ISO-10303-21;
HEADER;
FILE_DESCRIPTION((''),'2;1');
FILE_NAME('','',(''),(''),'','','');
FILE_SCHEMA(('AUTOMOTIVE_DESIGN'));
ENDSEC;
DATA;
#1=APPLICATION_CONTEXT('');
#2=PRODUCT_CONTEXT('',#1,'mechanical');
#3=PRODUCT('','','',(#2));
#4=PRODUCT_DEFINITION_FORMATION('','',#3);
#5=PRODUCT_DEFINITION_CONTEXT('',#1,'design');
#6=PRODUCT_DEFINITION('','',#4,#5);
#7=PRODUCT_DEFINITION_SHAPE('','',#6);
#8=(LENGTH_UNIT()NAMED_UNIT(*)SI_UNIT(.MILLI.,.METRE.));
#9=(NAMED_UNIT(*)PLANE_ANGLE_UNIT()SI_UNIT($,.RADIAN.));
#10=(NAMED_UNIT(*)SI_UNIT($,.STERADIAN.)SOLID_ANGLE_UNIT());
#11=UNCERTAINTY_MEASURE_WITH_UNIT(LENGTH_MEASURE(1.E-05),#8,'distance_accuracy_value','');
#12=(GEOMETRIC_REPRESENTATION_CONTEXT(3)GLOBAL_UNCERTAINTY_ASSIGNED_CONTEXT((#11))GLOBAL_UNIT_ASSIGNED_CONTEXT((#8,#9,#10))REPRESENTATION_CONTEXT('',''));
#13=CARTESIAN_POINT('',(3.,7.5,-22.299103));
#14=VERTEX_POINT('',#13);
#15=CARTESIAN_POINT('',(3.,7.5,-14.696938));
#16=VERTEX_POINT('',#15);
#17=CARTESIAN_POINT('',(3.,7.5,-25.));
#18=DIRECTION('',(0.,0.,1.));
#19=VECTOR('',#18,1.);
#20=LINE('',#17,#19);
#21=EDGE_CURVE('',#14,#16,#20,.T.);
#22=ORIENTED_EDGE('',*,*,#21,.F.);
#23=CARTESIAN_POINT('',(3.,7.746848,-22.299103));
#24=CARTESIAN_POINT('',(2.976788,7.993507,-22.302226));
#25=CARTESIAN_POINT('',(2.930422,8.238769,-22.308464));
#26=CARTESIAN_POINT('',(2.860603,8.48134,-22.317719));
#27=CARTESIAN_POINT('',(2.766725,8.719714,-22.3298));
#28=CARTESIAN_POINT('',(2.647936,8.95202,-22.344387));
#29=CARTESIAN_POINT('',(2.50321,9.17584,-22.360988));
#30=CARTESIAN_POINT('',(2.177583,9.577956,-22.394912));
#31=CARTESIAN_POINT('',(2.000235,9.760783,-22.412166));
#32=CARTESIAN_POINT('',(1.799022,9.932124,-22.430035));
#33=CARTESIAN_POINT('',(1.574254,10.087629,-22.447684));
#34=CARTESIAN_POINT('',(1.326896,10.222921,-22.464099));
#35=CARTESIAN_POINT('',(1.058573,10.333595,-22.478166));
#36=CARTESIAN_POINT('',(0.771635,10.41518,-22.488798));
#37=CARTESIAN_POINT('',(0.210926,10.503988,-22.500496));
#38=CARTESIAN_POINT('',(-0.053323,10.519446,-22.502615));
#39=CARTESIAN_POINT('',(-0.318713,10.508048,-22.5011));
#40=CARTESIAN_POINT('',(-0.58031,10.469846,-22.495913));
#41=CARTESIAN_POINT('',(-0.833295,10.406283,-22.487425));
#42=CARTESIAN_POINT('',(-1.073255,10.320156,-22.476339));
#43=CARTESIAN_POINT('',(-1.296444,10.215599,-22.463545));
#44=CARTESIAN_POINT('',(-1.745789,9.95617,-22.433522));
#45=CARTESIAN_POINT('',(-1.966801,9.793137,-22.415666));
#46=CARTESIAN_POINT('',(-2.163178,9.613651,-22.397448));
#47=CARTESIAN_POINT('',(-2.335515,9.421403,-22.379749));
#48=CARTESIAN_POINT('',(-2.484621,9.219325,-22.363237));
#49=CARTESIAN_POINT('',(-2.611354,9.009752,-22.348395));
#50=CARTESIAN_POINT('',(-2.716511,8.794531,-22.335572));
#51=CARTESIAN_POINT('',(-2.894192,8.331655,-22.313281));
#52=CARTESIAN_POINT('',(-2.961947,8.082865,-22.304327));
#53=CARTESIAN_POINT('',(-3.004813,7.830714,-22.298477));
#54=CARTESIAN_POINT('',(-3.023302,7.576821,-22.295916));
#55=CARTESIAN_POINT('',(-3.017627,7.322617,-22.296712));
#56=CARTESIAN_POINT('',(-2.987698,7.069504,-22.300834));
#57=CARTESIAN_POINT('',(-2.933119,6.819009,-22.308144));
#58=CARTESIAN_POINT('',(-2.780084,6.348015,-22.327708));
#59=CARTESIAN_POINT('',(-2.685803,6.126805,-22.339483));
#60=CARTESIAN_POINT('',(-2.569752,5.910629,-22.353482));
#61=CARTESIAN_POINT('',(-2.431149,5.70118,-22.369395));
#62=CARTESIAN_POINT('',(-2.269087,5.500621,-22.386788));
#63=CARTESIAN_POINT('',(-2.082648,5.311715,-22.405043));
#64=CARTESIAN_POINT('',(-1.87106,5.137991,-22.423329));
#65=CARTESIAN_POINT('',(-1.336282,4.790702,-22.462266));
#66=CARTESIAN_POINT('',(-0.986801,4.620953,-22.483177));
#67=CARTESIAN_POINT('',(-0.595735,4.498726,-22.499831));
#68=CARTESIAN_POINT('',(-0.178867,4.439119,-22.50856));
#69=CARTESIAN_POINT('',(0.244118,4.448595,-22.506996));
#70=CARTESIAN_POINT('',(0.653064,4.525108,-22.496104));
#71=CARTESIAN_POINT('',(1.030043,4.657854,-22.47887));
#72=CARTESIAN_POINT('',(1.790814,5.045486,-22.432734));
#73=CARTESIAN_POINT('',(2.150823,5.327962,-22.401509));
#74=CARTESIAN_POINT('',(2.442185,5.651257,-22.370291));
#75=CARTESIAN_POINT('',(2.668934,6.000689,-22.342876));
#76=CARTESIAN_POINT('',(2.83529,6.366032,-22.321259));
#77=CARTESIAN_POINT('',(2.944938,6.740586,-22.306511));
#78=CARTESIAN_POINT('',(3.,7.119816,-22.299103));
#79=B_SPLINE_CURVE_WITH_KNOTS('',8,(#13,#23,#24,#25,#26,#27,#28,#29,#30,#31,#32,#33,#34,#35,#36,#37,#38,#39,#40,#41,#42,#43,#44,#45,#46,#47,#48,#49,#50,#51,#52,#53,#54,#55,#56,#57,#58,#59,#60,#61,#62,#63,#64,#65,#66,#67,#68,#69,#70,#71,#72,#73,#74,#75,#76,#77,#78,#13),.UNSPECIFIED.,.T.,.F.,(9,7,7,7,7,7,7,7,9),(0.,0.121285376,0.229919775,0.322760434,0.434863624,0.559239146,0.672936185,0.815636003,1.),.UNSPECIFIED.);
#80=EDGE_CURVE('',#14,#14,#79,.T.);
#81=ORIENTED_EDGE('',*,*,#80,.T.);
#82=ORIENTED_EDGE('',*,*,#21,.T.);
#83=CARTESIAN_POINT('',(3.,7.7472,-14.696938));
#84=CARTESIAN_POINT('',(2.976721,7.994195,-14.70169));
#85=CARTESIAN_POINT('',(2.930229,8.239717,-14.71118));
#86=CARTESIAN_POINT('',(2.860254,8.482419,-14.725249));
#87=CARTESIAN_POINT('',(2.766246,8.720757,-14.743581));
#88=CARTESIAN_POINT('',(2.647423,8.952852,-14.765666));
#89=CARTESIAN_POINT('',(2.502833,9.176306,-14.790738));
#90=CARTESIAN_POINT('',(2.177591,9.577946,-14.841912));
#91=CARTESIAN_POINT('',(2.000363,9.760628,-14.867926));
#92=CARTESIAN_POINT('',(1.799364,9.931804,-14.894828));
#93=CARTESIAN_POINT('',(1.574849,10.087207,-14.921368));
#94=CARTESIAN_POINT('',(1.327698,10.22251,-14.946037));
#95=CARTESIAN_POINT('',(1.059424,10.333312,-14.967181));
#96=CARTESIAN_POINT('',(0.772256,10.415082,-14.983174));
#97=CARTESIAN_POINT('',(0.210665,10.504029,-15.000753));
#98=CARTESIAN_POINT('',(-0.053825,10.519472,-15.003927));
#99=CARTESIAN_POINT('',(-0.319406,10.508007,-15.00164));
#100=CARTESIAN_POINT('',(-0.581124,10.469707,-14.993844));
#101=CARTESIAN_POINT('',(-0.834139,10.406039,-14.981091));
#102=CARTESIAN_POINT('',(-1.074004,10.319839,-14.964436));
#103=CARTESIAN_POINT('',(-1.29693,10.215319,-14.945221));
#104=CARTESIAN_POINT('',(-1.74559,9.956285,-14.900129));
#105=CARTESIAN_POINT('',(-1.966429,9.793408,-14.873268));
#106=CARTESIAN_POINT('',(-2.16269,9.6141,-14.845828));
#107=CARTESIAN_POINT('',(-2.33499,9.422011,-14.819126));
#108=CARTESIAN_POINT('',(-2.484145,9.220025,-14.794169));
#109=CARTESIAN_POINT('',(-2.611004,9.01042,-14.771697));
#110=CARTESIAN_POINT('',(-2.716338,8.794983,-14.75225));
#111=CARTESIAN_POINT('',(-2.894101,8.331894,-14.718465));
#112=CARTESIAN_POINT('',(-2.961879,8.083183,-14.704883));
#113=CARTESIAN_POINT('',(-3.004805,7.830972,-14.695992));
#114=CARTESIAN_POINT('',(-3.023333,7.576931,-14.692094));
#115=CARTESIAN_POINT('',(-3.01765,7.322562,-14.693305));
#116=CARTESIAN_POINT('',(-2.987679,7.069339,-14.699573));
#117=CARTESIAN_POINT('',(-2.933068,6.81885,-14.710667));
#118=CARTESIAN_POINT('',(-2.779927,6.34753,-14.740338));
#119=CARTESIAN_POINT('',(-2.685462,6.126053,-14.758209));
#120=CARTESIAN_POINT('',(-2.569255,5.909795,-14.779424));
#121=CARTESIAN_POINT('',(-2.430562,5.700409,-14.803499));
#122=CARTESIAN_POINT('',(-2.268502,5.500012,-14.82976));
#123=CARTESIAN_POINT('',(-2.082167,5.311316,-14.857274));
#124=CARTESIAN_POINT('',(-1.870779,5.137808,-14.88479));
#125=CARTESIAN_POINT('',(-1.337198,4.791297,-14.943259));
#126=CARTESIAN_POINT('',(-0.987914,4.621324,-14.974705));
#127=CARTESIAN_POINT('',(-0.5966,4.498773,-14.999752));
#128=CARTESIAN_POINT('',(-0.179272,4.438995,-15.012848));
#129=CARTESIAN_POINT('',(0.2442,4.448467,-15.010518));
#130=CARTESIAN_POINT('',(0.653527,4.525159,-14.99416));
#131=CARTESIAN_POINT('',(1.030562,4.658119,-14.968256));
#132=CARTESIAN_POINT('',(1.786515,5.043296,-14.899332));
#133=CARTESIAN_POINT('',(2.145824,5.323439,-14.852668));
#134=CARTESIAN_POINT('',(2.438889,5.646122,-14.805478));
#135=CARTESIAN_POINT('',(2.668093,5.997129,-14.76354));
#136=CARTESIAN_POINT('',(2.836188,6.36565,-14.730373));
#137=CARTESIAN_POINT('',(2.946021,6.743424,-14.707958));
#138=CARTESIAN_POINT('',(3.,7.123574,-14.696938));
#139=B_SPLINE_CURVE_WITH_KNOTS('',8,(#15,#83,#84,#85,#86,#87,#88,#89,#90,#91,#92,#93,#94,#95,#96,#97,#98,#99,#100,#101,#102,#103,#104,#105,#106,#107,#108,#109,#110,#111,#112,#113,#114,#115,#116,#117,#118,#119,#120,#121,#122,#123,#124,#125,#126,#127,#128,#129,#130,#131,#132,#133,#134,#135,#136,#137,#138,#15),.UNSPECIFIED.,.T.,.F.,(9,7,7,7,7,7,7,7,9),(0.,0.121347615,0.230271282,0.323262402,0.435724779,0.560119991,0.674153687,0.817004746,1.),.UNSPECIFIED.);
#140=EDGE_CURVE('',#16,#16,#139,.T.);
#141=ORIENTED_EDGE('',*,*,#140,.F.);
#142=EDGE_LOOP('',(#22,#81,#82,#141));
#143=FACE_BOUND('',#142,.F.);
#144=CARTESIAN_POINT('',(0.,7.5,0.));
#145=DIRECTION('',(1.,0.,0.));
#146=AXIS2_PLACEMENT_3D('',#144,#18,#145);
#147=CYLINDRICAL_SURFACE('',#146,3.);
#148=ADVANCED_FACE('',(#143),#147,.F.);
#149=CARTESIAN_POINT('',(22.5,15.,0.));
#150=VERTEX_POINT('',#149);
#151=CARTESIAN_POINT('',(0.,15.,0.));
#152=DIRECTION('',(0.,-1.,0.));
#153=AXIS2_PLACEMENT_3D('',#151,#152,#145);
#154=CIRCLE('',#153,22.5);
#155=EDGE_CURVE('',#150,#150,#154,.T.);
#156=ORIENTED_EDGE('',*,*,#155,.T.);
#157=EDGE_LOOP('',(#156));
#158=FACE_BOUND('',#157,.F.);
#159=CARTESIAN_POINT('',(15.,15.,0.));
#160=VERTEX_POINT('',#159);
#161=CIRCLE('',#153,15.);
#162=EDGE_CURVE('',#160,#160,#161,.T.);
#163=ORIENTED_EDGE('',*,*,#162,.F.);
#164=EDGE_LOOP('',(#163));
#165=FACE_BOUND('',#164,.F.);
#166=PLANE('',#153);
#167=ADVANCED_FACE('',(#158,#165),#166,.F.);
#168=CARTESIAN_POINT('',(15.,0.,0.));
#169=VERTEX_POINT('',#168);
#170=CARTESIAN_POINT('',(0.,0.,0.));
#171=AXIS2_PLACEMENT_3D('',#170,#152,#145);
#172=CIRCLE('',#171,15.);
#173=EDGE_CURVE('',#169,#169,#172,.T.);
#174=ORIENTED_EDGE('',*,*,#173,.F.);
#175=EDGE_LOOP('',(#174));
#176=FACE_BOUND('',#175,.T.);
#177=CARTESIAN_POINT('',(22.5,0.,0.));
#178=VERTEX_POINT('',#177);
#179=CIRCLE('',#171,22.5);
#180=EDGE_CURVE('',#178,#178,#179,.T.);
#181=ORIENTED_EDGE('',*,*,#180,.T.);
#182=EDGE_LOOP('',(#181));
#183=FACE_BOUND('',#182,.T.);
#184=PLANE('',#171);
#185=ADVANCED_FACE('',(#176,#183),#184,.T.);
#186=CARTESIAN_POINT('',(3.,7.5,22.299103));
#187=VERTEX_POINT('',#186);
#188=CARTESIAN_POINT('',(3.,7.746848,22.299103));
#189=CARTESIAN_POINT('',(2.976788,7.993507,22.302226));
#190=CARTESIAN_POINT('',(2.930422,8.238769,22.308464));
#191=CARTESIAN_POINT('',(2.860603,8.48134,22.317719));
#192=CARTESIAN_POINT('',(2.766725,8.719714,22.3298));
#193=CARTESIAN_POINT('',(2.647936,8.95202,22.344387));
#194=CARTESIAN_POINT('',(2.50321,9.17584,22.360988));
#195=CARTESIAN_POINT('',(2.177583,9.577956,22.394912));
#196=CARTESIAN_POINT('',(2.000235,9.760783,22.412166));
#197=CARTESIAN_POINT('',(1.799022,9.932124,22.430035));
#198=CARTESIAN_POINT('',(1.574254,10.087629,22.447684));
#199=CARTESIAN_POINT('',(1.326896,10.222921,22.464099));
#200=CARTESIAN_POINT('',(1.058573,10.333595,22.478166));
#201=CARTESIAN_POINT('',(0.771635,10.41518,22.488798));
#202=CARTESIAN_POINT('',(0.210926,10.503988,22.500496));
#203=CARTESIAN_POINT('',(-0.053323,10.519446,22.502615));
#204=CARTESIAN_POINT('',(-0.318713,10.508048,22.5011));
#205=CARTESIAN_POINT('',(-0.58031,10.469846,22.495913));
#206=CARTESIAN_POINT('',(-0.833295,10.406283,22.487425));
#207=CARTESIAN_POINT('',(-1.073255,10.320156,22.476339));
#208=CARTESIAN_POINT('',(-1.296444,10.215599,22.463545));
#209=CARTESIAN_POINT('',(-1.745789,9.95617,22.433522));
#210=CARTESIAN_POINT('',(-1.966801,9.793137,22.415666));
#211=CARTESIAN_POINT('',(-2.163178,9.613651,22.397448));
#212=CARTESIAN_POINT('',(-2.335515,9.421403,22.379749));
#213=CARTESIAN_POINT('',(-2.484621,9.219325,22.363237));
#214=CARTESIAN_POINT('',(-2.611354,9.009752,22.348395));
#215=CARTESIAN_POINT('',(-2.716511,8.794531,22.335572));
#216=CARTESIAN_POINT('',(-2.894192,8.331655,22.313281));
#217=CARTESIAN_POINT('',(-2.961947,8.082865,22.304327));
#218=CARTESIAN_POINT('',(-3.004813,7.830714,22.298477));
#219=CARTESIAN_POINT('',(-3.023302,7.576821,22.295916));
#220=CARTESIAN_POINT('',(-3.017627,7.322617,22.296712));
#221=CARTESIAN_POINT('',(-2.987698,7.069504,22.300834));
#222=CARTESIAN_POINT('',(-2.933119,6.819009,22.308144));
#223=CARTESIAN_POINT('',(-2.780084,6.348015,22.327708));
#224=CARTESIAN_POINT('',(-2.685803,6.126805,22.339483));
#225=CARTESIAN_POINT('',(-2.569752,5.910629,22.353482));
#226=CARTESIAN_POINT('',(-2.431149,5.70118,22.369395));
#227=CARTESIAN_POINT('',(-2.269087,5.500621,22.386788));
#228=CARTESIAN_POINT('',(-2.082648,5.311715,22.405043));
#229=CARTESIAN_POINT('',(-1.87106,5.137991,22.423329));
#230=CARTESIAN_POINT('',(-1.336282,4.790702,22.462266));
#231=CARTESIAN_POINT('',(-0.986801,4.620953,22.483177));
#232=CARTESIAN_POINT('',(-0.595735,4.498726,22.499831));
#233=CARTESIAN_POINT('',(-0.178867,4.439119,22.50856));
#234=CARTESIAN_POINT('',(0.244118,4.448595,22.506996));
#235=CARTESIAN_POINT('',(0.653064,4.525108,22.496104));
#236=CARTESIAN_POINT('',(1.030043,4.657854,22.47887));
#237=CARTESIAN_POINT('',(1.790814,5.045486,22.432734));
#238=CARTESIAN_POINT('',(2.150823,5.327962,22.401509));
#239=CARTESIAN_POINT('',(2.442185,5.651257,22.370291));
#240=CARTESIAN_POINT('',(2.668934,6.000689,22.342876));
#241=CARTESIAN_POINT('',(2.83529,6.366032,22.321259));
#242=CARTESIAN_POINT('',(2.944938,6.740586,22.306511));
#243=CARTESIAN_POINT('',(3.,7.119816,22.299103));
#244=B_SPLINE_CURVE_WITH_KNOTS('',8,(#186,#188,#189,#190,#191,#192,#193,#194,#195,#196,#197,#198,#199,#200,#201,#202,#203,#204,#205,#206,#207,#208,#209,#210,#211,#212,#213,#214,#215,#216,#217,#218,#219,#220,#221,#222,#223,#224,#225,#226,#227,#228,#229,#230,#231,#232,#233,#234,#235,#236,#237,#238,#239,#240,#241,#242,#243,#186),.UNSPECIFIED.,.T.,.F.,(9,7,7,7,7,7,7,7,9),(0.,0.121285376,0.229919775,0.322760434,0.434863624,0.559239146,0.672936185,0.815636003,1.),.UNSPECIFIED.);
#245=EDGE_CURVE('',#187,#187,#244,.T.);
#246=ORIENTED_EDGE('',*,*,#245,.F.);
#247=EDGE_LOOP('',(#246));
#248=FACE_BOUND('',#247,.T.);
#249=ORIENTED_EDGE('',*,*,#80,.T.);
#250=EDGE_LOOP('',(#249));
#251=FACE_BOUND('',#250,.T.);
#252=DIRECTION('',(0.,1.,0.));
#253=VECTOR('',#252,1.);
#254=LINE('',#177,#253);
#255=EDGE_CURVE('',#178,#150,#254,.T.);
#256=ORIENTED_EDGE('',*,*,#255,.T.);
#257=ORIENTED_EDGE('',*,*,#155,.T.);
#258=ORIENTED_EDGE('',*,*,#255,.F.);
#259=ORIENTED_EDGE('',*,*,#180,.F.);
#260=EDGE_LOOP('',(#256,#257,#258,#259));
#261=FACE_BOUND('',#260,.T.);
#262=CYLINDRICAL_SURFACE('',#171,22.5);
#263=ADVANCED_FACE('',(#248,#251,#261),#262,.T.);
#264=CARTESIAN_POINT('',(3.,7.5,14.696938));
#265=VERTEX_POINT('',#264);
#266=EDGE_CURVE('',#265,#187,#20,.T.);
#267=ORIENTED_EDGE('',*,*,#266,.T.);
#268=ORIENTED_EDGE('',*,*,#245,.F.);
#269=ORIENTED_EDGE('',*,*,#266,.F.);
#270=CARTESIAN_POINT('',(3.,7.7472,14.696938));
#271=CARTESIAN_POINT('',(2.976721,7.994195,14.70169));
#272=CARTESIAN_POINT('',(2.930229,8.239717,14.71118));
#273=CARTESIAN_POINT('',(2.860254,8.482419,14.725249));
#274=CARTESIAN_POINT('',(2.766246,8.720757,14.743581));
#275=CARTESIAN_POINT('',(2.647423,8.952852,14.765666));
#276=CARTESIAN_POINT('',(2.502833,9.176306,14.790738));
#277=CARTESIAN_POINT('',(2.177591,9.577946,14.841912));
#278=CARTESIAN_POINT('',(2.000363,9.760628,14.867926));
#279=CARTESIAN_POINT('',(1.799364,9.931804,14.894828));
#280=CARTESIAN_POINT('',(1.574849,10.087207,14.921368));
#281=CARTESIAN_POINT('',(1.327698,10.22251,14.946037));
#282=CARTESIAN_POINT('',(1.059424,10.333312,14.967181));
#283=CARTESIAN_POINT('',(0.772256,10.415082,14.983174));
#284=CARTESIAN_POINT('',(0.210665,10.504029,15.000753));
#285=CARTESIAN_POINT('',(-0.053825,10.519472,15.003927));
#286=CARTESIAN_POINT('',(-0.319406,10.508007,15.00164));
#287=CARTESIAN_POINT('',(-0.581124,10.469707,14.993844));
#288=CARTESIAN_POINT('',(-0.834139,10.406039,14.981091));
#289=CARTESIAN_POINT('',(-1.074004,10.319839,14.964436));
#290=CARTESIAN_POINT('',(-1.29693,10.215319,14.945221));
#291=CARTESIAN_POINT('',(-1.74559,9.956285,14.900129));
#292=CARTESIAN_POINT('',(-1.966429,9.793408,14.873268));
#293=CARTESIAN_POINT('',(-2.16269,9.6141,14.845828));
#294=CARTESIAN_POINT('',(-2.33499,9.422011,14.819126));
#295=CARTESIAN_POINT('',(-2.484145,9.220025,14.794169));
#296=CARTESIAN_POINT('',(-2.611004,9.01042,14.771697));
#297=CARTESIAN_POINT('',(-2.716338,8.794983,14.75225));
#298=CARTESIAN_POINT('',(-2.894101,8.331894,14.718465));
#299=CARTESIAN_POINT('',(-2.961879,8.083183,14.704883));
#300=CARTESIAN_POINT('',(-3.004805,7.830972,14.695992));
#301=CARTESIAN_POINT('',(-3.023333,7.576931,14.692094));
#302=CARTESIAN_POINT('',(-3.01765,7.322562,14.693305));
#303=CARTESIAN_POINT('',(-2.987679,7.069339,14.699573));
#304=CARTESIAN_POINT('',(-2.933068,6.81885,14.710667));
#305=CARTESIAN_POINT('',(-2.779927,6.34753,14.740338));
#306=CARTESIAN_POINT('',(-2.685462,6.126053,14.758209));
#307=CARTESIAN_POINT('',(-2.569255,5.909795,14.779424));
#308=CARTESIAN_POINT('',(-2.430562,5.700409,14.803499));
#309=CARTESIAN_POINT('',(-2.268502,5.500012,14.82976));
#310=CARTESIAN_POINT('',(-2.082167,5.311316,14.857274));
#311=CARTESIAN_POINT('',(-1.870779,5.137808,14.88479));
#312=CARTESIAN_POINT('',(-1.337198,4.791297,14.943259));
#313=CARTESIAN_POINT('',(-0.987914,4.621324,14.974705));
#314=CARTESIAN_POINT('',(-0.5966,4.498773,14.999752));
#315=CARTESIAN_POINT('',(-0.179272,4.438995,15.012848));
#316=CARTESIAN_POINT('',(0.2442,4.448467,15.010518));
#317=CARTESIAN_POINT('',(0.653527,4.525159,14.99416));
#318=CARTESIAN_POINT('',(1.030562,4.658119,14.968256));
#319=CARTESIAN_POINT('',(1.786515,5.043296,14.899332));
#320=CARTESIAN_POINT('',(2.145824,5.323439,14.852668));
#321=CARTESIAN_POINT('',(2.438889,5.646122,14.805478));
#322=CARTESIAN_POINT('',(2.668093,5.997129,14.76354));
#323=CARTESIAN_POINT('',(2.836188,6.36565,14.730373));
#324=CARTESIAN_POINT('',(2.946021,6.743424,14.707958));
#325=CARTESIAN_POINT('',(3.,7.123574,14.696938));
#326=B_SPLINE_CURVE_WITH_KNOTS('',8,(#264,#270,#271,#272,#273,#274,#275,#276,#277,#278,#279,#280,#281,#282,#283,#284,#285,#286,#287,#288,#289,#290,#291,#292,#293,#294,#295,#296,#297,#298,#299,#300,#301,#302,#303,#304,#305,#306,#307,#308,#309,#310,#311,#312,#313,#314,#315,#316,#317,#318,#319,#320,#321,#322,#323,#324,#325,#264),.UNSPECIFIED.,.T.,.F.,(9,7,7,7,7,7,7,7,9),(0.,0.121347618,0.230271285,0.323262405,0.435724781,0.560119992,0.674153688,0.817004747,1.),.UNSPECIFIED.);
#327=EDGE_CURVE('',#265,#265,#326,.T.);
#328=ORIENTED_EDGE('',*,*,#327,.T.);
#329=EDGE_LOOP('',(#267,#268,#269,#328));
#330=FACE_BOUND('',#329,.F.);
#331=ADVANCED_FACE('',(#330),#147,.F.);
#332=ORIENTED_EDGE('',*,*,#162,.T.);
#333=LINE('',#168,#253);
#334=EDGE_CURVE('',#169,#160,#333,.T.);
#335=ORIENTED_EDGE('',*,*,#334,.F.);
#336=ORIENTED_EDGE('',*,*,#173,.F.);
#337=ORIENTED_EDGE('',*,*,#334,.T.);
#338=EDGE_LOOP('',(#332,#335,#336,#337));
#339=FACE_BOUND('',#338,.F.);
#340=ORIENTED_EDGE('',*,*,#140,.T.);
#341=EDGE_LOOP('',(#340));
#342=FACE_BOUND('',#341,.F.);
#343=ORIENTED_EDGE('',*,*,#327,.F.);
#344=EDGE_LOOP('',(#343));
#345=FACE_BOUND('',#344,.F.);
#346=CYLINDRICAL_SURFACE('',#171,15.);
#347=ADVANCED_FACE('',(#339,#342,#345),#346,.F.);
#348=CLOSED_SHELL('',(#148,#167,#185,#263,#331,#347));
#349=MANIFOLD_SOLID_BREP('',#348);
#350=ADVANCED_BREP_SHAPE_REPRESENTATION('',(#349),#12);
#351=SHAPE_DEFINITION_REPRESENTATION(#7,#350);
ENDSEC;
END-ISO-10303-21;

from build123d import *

# Parameters (mm, degrees)
F0_R     = 15
F0_R_2   = 22.5
F1_DEPTH = 15
F2_DEPTH = 15.001
F3_R     = 3
F4_DEPTH = 25


with BuildPart() as f1:
    # F0 (on Front) → F1 (new body)
    with BuildSketch(Plane.XZ):
        Circle(F0_R)
        Circle(F0_R_2)
        Circle(F0_R, mode=Mode.SUBTRACT)
    extrude(amount=-F1_DEPTH)

    # F0 (on Front) → F2 (cut, through all)
    with BuildSketch(Plane.XZ):
        Circle(F0_R)
    extrude(amount=-F2_DEPTH, mode=Mode.SUBTRACT)

    # F3 (on Top) → F4 (cut, symmetric)
    with BuildSketch(Plane.XY):
        with Locations((0, 7.5)):
            Circle(F3_R)
    extrude(amount=F4_DEPTH, both=True, mode=Mode.SUBTRACT)


solid = f1.part
